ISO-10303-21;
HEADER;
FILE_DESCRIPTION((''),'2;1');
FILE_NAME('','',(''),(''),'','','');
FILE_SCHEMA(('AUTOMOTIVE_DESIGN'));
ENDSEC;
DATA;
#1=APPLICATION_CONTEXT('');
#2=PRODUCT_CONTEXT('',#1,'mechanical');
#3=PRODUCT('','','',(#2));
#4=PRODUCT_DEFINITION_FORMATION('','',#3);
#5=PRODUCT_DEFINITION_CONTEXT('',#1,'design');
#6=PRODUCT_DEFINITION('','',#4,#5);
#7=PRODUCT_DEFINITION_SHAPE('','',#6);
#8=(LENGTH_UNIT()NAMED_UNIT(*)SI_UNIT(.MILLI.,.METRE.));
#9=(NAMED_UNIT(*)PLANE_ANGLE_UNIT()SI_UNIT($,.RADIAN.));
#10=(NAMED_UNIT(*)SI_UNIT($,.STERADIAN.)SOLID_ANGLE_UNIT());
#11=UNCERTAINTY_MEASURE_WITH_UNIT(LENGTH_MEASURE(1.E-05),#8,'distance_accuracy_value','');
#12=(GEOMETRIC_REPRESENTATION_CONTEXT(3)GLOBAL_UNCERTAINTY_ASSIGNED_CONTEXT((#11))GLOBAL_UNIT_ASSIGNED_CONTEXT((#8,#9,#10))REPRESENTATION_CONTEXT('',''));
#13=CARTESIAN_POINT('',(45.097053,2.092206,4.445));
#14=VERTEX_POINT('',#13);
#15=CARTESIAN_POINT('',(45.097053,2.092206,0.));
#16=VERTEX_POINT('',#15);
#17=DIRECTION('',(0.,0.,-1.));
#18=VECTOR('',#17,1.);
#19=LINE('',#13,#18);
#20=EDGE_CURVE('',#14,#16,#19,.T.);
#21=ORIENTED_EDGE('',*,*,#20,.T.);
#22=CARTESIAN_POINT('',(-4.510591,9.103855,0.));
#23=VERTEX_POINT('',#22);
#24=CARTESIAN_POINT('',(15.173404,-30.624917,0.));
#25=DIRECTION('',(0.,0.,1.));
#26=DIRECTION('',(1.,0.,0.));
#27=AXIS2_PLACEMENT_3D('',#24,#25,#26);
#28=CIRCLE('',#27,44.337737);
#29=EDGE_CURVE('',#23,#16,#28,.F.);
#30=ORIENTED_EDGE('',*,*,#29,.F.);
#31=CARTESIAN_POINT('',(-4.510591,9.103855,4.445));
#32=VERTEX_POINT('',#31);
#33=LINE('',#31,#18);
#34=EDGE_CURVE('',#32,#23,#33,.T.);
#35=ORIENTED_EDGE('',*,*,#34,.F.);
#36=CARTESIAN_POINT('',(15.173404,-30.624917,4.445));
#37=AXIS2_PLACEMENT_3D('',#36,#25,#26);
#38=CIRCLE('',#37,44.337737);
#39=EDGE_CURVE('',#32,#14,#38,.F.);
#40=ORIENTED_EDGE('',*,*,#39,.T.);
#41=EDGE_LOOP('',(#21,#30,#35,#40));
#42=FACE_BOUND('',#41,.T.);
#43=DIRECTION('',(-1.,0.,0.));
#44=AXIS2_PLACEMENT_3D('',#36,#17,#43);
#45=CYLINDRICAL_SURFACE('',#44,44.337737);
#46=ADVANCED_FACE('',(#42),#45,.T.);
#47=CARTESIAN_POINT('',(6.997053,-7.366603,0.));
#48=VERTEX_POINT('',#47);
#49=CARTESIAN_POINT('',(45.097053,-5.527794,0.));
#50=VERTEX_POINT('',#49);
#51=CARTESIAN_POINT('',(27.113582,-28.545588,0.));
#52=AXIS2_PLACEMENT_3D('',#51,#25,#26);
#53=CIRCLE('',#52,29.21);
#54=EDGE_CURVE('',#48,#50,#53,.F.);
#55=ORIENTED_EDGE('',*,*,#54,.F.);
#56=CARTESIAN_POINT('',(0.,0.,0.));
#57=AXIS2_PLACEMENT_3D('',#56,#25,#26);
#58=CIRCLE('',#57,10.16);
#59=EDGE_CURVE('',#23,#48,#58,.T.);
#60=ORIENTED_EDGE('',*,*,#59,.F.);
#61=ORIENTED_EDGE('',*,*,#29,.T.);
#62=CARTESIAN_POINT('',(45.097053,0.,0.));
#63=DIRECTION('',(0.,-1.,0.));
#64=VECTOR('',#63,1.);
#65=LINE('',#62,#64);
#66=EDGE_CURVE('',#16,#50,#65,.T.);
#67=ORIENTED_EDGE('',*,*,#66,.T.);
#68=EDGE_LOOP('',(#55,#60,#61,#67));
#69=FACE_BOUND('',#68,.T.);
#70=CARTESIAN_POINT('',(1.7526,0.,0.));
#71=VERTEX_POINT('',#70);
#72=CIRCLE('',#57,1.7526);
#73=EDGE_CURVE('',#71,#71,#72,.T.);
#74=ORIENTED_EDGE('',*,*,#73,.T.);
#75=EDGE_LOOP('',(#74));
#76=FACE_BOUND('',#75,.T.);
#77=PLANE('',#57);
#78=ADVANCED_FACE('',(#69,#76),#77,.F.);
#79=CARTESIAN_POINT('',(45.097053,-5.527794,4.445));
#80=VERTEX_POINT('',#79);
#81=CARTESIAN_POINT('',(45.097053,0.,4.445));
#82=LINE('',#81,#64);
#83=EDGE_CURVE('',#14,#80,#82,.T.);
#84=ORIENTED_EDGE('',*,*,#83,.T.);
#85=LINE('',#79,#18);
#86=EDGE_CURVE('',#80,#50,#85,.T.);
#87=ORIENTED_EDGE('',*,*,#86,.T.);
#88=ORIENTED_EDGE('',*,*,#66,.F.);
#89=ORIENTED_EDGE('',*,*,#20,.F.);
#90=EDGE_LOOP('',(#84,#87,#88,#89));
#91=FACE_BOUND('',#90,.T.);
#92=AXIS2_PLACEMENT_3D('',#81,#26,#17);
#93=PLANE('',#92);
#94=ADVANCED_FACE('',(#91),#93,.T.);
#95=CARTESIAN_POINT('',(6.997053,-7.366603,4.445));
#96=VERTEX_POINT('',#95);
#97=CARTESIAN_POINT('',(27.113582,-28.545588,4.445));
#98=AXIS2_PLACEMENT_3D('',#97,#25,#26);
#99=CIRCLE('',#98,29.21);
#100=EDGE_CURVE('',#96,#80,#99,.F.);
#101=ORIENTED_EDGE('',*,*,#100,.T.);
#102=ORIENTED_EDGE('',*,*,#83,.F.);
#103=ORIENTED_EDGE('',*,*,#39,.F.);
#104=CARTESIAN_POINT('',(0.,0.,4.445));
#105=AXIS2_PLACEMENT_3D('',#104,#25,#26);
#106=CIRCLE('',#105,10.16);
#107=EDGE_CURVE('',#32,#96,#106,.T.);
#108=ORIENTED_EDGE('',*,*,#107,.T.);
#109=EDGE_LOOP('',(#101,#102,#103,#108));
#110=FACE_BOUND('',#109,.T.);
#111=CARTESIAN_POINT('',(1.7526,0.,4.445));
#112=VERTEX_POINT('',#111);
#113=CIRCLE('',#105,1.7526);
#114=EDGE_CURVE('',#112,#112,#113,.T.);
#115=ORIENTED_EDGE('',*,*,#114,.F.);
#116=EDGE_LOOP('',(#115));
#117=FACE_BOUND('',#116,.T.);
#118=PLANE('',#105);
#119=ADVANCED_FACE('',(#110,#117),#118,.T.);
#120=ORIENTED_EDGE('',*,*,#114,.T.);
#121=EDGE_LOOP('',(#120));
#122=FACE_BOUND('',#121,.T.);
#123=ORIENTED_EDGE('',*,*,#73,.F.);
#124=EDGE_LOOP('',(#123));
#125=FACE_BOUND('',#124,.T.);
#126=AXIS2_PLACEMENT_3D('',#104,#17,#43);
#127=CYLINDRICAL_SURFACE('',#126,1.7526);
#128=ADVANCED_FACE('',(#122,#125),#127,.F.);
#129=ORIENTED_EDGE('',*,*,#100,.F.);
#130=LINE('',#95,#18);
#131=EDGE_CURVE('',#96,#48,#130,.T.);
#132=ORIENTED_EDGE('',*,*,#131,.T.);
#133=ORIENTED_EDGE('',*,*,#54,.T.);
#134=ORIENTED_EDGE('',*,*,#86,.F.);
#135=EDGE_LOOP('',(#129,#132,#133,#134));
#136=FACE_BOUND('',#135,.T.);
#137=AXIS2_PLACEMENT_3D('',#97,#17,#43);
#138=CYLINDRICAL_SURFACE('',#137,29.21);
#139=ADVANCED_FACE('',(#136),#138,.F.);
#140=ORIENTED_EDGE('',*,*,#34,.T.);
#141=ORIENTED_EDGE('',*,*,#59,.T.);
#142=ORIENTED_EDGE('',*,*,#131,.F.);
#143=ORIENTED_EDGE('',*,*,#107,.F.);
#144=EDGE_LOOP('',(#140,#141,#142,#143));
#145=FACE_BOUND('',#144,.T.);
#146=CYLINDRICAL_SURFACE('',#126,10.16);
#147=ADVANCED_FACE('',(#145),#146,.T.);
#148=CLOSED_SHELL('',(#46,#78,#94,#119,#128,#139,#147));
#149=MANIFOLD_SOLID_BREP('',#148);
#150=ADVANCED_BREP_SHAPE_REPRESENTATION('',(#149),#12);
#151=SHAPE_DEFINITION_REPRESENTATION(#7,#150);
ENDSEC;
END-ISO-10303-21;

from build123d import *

# Parameters (mm, degrees)
SKETCH1_R           = 1.7526
BOSS_EXTRUDE1_DEPTH = 4.445


with BuildPart() as part:
    # Sketch1 → Boss-Extrude1 (new body)
    with BuildSketch(Plane.XY):
        with BuildLine():
            Line((45.097053324, -5.527793834), (45.097053324, 2.092206166))
            ThreePointArc((45.097053324, 2.092206166), (21.378517637, 13.276466986), (-4.510590735, 9.103854745))
            ThreePointArc((-4.510590735, 9.103854745), (-8.328542576, -5.819018694), (6.997053324, -7.366603341))
            ThreePointArc((6.997053324, -7.366603341), (25.705466674, 0.630452091), (45.097053324, -5.527793834))
        make_face()
        Circle(SKETCH1_R, mode=Mode.SUBTRACT)
    extrude(amount=BOSS_EXTRUDE1_DEPTH)


solid = part.part
